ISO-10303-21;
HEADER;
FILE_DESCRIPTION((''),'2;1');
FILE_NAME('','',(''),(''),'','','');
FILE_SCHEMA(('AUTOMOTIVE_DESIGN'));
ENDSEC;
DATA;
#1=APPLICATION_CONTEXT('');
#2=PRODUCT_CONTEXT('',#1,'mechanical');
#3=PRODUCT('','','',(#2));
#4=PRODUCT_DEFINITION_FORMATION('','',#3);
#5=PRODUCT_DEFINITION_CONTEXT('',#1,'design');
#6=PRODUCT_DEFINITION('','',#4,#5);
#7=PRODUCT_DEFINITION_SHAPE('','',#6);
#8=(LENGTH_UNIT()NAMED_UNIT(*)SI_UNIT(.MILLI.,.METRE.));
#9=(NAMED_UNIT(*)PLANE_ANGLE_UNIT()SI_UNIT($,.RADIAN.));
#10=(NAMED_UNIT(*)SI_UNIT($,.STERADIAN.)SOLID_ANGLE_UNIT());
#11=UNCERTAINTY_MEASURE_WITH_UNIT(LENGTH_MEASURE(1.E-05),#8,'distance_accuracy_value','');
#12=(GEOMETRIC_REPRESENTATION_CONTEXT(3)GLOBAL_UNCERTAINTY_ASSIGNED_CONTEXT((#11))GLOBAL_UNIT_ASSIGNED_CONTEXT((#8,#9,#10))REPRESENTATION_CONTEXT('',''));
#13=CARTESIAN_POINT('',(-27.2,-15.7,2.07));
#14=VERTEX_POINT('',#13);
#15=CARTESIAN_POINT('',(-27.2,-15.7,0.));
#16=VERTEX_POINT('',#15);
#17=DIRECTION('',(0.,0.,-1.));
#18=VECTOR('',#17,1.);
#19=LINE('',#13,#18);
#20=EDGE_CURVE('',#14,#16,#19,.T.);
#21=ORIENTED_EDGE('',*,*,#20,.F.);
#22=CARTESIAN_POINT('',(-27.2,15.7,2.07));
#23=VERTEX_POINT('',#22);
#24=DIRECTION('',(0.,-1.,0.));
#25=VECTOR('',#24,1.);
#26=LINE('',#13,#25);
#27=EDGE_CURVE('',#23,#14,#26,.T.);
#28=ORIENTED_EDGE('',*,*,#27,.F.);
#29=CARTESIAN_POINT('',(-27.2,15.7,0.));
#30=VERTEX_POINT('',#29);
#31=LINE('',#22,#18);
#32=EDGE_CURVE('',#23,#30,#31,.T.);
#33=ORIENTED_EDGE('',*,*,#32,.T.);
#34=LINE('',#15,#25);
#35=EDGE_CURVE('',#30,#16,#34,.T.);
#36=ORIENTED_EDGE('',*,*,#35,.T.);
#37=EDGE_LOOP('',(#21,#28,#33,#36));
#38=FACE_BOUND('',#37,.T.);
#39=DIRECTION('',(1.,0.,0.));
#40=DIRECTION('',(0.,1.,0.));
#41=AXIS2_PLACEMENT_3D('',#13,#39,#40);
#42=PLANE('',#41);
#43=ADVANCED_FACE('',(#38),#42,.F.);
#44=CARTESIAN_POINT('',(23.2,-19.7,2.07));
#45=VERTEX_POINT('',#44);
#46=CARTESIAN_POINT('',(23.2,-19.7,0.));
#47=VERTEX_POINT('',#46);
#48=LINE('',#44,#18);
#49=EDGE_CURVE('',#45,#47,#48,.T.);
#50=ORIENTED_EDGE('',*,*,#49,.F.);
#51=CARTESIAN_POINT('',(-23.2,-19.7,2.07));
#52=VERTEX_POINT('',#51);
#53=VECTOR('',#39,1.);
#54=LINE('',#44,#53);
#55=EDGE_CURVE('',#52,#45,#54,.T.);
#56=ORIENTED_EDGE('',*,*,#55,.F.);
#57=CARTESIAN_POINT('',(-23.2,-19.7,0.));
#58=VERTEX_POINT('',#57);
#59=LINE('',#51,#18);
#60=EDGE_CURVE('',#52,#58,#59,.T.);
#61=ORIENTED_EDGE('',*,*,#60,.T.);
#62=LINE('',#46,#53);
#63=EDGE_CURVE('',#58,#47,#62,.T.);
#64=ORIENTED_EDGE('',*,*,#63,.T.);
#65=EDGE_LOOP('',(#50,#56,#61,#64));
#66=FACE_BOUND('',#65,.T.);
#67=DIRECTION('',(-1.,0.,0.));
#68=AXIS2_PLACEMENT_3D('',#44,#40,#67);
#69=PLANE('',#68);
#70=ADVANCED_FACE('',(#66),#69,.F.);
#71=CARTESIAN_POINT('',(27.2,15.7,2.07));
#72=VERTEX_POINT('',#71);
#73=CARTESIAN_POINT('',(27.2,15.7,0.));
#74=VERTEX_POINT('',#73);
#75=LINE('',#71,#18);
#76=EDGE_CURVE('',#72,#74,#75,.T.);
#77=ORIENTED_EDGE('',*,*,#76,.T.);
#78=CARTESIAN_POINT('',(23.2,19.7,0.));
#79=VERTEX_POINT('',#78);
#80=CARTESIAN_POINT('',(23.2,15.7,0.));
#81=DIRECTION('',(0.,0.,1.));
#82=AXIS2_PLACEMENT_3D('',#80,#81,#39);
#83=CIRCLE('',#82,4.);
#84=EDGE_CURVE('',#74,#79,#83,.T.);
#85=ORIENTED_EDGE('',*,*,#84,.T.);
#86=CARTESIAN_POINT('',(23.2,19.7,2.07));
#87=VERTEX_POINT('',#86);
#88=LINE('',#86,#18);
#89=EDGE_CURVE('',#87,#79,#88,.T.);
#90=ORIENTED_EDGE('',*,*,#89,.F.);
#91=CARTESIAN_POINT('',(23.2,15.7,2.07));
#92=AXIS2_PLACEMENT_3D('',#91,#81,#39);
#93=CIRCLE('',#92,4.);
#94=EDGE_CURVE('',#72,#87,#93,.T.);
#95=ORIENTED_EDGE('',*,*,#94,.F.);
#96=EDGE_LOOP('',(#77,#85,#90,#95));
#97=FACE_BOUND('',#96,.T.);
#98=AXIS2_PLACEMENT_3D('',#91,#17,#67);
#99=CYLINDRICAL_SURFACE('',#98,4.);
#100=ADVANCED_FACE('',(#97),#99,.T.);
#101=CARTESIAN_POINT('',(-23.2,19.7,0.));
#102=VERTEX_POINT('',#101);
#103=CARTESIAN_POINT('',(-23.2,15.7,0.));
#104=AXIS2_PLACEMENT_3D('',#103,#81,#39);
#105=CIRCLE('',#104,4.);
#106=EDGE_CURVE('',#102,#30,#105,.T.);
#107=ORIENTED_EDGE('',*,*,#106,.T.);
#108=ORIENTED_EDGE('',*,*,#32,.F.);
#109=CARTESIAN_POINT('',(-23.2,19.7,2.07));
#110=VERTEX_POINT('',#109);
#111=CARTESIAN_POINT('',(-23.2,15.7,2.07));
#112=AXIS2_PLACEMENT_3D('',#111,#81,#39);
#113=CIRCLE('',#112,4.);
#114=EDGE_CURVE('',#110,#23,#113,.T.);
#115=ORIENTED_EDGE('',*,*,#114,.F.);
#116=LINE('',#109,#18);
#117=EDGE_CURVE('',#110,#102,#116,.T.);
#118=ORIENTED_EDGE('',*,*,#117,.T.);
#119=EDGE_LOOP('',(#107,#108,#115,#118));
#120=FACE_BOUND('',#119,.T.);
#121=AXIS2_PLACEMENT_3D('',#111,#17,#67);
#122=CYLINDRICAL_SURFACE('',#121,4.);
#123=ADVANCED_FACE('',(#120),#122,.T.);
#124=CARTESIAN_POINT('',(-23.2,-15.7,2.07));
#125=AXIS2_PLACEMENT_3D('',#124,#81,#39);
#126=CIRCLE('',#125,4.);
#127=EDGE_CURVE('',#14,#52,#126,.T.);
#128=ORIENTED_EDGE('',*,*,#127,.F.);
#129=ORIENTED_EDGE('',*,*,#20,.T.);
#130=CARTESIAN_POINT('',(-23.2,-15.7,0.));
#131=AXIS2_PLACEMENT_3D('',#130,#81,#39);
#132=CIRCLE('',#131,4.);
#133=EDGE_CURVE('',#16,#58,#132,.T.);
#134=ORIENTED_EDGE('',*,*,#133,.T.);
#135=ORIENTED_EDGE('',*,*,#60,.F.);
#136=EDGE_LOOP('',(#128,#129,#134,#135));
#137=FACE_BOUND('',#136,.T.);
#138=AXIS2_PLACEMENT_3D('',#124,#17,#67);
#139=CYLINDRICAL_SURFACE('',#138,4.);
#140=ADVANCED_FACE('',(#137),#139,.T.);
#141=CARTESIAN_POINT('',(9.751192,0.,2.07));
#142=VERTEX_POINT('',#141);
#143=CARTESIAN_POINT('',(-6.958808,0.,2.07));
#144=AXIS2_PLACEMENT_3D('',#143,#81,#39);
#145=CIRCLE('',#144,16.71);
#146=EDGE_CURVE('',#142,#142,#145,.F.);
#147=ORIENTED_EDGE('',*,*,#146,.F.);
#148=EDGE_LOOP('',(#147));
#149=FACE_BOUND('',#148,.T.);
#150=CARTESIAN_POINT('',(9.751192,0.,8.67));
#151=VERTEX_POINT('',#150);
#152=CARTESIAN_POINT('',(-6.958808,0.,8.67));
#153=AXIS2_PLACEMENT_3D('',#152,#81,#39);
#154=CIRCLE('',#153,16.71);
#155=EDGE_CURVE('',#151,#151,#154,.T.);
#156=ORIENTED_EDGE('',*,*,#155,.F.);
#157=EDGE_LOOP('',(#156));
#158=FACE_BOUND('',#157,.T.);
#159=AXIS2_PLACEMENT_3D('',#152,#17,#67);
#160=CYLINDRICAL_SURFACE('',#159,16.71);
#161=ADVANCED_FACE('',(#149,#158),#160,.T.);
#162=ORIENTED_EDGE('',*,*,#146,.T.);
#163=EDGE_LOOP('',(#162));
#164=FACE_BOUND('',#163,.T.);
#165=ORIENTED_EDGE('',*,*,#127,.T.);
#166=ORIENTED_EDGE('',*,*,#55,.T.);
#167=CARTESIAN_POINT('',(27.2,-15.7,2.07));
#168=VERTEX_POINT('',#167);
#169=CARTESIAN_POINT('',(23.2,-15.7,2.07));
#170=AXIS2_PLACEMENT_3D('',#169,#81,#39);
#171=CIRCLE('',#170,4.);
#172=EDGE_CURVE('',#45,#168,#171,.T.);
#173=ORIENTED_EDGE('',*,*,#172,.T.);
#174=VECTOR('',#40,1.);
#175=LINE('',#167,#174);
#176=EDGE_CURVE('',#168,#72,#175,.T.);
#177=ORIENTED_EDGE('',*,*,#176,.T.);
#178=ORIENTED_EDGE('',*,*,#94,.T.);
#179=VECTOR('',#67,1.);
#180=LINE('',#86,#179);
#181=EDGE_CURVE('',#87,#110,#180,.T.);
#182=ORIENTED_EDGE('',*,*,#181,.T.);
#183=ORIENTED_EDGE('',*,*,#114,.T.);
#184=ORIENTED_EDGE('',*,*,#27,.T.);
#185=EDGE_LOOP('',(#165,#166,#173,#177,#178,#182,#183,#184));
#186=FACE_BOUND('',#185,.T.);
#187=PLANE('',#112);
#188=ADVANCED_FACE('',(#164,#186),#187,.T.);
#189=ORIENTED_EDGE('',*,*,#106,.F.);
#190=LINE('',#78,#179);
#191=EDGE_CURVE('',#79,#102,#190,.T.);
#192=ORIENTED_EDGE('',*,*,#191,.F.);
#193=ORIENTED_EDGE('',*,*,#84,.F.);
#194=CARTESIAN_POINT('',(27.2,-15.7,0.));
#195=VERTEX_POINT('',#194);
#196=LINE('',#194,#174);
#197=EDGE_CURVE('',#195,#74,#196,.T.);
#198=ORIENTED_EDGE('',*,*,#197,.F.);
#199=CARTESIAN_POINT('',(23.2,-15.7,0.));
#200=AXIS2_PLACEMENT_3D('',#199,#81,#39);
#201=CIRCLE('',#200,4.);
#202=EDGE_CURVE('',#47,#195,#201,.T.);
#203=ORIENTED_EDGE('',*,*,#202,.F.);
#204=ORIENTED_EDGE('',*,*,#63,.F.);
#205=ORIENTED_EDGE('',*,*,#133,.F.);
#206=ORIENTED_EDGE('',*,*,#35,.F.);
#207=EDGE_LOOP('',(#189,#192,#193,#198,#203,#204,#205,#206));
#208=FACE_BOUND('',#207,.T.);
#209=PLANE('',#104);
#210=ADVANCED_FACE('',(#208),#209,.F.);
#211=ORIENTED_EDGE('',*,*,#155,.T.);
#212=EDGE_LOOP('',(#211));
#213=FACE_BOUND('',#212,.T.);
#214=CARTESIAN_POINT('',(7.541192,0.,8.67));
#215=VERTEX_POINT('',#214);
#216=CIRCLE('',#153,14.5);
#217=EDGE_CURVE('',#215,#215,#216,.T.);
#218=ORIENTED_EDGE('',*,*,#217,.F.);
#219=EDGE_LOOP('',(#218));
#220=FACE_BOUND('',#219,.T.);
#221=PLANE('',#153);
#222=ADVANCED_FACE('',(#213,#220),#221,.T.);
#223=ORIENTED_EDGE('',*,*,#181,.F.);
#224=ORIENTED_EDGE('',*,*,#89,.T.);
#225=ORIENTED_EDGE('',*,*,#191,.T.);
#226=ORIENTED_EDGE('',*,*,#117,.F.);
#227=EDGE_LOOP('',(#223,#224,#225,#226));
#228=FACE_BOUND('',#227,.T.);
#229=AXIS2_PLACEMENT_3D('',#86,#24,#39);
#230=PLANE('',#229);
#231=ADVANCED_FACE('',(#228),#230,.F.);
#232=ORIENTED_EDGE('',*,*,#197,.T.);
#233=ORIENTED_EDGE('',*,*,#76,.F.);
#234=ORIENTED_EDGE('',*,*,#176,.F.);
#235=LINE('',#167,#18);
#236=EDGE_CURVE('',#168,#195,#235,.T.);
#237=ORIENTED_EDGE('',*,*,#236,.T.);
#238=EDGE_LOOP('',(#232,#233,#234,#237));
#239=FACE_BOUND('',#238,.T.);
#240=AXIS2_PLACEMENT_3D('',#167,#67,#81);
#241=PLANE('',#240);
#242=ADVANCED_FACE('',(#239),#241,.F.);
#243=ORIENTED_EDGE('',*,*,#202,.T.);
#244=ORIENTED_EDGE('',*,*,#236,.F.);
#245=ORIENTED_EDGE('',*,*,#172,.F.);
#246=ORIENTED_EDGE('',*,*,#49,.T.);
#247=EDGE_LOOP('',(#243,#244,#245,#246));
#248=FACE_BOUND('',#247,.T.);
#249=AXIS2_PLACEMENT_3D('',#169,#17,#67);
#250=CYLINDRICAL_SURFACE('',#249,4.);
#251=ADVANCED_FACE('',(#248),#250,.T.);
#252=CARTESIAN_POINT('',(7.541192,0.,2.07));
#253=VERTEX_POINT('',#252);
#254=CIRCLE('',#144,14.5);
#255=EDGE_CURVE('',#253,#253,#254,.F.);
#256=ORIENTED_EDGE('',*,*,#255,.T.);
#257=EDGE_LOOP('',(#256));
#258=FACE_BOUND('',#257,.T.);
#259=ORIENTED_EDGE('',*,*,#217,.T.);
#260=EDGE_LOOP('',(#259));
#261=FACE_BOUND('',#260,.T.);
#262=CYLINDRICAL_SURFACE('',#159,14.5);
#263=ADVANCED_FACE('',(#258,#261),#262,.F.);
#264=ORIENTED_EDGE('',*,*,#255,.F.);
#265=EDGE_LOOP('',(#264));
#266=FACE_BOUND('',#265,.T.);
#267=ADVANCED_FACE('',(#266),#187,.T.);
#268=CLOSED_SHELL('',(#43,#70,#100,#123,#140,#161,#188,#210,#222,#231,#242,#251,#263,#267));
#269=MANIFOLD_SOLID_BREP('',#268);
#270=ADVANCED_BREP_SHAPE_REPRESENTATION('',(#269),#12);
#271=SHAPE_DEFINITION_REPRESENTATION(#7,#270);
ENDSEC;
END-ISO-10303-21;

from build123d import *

# Parameters (mm, degrees)
BOSS_EXTRUDE1_DEPTH = 2.07
SKETCH3_R           = 16.71
SKETCH3_R_2         = 14.5
EXTRUDE_THIN1_DEPTH = 8.67


with BuildPart() as part:
    # Sketch1 → Boss-Extrude1 (new body)
    with BuildSketch(Plane.XY):
        with BuildLine():
            Line((23.2, -19.7), (-23.2, -19.7))
            ThreePointArc((-23.2, -19.7), (-26.028427125, -18.528427125), (-27.2, -15.7))
            Line((-27.2, -15.7), (-27.2, 15.7))
            ThreePointArc((-27.2, 15.7), (-26.028427125, 18.528427125), (-23.2, 19.7))
            Line((-23.2, 19.7), (23.2, 19.7))
            ThreePointArc((23.2, 19.7), (26.028427125, 18.528427125), (27.2, 15.7))
            Line((27.2, 15.7), (27.2, -15.7))
            ThreePointArc((27.2, -15.7), (26.028427125, -18.528427125), (23.2, -19.7))
        make_face()
    extrude(amount=BOSS_EXTRUDE1_DEPTH)

    # Sketch3 → Extrude-Thin1 (add)
    with BuildSketch(Plane.XY):
        with Locations((-6.958808182, 0)):
            Circle(SKETCH3_R)
        with Locations((-6.958808182, 0)):
            Circle(SKETCH3_R_2, mode=Mode.SUBTRACT)
    extrude(amount=EXTRUDE_THIN1_DEPTH)


solid = part.part
